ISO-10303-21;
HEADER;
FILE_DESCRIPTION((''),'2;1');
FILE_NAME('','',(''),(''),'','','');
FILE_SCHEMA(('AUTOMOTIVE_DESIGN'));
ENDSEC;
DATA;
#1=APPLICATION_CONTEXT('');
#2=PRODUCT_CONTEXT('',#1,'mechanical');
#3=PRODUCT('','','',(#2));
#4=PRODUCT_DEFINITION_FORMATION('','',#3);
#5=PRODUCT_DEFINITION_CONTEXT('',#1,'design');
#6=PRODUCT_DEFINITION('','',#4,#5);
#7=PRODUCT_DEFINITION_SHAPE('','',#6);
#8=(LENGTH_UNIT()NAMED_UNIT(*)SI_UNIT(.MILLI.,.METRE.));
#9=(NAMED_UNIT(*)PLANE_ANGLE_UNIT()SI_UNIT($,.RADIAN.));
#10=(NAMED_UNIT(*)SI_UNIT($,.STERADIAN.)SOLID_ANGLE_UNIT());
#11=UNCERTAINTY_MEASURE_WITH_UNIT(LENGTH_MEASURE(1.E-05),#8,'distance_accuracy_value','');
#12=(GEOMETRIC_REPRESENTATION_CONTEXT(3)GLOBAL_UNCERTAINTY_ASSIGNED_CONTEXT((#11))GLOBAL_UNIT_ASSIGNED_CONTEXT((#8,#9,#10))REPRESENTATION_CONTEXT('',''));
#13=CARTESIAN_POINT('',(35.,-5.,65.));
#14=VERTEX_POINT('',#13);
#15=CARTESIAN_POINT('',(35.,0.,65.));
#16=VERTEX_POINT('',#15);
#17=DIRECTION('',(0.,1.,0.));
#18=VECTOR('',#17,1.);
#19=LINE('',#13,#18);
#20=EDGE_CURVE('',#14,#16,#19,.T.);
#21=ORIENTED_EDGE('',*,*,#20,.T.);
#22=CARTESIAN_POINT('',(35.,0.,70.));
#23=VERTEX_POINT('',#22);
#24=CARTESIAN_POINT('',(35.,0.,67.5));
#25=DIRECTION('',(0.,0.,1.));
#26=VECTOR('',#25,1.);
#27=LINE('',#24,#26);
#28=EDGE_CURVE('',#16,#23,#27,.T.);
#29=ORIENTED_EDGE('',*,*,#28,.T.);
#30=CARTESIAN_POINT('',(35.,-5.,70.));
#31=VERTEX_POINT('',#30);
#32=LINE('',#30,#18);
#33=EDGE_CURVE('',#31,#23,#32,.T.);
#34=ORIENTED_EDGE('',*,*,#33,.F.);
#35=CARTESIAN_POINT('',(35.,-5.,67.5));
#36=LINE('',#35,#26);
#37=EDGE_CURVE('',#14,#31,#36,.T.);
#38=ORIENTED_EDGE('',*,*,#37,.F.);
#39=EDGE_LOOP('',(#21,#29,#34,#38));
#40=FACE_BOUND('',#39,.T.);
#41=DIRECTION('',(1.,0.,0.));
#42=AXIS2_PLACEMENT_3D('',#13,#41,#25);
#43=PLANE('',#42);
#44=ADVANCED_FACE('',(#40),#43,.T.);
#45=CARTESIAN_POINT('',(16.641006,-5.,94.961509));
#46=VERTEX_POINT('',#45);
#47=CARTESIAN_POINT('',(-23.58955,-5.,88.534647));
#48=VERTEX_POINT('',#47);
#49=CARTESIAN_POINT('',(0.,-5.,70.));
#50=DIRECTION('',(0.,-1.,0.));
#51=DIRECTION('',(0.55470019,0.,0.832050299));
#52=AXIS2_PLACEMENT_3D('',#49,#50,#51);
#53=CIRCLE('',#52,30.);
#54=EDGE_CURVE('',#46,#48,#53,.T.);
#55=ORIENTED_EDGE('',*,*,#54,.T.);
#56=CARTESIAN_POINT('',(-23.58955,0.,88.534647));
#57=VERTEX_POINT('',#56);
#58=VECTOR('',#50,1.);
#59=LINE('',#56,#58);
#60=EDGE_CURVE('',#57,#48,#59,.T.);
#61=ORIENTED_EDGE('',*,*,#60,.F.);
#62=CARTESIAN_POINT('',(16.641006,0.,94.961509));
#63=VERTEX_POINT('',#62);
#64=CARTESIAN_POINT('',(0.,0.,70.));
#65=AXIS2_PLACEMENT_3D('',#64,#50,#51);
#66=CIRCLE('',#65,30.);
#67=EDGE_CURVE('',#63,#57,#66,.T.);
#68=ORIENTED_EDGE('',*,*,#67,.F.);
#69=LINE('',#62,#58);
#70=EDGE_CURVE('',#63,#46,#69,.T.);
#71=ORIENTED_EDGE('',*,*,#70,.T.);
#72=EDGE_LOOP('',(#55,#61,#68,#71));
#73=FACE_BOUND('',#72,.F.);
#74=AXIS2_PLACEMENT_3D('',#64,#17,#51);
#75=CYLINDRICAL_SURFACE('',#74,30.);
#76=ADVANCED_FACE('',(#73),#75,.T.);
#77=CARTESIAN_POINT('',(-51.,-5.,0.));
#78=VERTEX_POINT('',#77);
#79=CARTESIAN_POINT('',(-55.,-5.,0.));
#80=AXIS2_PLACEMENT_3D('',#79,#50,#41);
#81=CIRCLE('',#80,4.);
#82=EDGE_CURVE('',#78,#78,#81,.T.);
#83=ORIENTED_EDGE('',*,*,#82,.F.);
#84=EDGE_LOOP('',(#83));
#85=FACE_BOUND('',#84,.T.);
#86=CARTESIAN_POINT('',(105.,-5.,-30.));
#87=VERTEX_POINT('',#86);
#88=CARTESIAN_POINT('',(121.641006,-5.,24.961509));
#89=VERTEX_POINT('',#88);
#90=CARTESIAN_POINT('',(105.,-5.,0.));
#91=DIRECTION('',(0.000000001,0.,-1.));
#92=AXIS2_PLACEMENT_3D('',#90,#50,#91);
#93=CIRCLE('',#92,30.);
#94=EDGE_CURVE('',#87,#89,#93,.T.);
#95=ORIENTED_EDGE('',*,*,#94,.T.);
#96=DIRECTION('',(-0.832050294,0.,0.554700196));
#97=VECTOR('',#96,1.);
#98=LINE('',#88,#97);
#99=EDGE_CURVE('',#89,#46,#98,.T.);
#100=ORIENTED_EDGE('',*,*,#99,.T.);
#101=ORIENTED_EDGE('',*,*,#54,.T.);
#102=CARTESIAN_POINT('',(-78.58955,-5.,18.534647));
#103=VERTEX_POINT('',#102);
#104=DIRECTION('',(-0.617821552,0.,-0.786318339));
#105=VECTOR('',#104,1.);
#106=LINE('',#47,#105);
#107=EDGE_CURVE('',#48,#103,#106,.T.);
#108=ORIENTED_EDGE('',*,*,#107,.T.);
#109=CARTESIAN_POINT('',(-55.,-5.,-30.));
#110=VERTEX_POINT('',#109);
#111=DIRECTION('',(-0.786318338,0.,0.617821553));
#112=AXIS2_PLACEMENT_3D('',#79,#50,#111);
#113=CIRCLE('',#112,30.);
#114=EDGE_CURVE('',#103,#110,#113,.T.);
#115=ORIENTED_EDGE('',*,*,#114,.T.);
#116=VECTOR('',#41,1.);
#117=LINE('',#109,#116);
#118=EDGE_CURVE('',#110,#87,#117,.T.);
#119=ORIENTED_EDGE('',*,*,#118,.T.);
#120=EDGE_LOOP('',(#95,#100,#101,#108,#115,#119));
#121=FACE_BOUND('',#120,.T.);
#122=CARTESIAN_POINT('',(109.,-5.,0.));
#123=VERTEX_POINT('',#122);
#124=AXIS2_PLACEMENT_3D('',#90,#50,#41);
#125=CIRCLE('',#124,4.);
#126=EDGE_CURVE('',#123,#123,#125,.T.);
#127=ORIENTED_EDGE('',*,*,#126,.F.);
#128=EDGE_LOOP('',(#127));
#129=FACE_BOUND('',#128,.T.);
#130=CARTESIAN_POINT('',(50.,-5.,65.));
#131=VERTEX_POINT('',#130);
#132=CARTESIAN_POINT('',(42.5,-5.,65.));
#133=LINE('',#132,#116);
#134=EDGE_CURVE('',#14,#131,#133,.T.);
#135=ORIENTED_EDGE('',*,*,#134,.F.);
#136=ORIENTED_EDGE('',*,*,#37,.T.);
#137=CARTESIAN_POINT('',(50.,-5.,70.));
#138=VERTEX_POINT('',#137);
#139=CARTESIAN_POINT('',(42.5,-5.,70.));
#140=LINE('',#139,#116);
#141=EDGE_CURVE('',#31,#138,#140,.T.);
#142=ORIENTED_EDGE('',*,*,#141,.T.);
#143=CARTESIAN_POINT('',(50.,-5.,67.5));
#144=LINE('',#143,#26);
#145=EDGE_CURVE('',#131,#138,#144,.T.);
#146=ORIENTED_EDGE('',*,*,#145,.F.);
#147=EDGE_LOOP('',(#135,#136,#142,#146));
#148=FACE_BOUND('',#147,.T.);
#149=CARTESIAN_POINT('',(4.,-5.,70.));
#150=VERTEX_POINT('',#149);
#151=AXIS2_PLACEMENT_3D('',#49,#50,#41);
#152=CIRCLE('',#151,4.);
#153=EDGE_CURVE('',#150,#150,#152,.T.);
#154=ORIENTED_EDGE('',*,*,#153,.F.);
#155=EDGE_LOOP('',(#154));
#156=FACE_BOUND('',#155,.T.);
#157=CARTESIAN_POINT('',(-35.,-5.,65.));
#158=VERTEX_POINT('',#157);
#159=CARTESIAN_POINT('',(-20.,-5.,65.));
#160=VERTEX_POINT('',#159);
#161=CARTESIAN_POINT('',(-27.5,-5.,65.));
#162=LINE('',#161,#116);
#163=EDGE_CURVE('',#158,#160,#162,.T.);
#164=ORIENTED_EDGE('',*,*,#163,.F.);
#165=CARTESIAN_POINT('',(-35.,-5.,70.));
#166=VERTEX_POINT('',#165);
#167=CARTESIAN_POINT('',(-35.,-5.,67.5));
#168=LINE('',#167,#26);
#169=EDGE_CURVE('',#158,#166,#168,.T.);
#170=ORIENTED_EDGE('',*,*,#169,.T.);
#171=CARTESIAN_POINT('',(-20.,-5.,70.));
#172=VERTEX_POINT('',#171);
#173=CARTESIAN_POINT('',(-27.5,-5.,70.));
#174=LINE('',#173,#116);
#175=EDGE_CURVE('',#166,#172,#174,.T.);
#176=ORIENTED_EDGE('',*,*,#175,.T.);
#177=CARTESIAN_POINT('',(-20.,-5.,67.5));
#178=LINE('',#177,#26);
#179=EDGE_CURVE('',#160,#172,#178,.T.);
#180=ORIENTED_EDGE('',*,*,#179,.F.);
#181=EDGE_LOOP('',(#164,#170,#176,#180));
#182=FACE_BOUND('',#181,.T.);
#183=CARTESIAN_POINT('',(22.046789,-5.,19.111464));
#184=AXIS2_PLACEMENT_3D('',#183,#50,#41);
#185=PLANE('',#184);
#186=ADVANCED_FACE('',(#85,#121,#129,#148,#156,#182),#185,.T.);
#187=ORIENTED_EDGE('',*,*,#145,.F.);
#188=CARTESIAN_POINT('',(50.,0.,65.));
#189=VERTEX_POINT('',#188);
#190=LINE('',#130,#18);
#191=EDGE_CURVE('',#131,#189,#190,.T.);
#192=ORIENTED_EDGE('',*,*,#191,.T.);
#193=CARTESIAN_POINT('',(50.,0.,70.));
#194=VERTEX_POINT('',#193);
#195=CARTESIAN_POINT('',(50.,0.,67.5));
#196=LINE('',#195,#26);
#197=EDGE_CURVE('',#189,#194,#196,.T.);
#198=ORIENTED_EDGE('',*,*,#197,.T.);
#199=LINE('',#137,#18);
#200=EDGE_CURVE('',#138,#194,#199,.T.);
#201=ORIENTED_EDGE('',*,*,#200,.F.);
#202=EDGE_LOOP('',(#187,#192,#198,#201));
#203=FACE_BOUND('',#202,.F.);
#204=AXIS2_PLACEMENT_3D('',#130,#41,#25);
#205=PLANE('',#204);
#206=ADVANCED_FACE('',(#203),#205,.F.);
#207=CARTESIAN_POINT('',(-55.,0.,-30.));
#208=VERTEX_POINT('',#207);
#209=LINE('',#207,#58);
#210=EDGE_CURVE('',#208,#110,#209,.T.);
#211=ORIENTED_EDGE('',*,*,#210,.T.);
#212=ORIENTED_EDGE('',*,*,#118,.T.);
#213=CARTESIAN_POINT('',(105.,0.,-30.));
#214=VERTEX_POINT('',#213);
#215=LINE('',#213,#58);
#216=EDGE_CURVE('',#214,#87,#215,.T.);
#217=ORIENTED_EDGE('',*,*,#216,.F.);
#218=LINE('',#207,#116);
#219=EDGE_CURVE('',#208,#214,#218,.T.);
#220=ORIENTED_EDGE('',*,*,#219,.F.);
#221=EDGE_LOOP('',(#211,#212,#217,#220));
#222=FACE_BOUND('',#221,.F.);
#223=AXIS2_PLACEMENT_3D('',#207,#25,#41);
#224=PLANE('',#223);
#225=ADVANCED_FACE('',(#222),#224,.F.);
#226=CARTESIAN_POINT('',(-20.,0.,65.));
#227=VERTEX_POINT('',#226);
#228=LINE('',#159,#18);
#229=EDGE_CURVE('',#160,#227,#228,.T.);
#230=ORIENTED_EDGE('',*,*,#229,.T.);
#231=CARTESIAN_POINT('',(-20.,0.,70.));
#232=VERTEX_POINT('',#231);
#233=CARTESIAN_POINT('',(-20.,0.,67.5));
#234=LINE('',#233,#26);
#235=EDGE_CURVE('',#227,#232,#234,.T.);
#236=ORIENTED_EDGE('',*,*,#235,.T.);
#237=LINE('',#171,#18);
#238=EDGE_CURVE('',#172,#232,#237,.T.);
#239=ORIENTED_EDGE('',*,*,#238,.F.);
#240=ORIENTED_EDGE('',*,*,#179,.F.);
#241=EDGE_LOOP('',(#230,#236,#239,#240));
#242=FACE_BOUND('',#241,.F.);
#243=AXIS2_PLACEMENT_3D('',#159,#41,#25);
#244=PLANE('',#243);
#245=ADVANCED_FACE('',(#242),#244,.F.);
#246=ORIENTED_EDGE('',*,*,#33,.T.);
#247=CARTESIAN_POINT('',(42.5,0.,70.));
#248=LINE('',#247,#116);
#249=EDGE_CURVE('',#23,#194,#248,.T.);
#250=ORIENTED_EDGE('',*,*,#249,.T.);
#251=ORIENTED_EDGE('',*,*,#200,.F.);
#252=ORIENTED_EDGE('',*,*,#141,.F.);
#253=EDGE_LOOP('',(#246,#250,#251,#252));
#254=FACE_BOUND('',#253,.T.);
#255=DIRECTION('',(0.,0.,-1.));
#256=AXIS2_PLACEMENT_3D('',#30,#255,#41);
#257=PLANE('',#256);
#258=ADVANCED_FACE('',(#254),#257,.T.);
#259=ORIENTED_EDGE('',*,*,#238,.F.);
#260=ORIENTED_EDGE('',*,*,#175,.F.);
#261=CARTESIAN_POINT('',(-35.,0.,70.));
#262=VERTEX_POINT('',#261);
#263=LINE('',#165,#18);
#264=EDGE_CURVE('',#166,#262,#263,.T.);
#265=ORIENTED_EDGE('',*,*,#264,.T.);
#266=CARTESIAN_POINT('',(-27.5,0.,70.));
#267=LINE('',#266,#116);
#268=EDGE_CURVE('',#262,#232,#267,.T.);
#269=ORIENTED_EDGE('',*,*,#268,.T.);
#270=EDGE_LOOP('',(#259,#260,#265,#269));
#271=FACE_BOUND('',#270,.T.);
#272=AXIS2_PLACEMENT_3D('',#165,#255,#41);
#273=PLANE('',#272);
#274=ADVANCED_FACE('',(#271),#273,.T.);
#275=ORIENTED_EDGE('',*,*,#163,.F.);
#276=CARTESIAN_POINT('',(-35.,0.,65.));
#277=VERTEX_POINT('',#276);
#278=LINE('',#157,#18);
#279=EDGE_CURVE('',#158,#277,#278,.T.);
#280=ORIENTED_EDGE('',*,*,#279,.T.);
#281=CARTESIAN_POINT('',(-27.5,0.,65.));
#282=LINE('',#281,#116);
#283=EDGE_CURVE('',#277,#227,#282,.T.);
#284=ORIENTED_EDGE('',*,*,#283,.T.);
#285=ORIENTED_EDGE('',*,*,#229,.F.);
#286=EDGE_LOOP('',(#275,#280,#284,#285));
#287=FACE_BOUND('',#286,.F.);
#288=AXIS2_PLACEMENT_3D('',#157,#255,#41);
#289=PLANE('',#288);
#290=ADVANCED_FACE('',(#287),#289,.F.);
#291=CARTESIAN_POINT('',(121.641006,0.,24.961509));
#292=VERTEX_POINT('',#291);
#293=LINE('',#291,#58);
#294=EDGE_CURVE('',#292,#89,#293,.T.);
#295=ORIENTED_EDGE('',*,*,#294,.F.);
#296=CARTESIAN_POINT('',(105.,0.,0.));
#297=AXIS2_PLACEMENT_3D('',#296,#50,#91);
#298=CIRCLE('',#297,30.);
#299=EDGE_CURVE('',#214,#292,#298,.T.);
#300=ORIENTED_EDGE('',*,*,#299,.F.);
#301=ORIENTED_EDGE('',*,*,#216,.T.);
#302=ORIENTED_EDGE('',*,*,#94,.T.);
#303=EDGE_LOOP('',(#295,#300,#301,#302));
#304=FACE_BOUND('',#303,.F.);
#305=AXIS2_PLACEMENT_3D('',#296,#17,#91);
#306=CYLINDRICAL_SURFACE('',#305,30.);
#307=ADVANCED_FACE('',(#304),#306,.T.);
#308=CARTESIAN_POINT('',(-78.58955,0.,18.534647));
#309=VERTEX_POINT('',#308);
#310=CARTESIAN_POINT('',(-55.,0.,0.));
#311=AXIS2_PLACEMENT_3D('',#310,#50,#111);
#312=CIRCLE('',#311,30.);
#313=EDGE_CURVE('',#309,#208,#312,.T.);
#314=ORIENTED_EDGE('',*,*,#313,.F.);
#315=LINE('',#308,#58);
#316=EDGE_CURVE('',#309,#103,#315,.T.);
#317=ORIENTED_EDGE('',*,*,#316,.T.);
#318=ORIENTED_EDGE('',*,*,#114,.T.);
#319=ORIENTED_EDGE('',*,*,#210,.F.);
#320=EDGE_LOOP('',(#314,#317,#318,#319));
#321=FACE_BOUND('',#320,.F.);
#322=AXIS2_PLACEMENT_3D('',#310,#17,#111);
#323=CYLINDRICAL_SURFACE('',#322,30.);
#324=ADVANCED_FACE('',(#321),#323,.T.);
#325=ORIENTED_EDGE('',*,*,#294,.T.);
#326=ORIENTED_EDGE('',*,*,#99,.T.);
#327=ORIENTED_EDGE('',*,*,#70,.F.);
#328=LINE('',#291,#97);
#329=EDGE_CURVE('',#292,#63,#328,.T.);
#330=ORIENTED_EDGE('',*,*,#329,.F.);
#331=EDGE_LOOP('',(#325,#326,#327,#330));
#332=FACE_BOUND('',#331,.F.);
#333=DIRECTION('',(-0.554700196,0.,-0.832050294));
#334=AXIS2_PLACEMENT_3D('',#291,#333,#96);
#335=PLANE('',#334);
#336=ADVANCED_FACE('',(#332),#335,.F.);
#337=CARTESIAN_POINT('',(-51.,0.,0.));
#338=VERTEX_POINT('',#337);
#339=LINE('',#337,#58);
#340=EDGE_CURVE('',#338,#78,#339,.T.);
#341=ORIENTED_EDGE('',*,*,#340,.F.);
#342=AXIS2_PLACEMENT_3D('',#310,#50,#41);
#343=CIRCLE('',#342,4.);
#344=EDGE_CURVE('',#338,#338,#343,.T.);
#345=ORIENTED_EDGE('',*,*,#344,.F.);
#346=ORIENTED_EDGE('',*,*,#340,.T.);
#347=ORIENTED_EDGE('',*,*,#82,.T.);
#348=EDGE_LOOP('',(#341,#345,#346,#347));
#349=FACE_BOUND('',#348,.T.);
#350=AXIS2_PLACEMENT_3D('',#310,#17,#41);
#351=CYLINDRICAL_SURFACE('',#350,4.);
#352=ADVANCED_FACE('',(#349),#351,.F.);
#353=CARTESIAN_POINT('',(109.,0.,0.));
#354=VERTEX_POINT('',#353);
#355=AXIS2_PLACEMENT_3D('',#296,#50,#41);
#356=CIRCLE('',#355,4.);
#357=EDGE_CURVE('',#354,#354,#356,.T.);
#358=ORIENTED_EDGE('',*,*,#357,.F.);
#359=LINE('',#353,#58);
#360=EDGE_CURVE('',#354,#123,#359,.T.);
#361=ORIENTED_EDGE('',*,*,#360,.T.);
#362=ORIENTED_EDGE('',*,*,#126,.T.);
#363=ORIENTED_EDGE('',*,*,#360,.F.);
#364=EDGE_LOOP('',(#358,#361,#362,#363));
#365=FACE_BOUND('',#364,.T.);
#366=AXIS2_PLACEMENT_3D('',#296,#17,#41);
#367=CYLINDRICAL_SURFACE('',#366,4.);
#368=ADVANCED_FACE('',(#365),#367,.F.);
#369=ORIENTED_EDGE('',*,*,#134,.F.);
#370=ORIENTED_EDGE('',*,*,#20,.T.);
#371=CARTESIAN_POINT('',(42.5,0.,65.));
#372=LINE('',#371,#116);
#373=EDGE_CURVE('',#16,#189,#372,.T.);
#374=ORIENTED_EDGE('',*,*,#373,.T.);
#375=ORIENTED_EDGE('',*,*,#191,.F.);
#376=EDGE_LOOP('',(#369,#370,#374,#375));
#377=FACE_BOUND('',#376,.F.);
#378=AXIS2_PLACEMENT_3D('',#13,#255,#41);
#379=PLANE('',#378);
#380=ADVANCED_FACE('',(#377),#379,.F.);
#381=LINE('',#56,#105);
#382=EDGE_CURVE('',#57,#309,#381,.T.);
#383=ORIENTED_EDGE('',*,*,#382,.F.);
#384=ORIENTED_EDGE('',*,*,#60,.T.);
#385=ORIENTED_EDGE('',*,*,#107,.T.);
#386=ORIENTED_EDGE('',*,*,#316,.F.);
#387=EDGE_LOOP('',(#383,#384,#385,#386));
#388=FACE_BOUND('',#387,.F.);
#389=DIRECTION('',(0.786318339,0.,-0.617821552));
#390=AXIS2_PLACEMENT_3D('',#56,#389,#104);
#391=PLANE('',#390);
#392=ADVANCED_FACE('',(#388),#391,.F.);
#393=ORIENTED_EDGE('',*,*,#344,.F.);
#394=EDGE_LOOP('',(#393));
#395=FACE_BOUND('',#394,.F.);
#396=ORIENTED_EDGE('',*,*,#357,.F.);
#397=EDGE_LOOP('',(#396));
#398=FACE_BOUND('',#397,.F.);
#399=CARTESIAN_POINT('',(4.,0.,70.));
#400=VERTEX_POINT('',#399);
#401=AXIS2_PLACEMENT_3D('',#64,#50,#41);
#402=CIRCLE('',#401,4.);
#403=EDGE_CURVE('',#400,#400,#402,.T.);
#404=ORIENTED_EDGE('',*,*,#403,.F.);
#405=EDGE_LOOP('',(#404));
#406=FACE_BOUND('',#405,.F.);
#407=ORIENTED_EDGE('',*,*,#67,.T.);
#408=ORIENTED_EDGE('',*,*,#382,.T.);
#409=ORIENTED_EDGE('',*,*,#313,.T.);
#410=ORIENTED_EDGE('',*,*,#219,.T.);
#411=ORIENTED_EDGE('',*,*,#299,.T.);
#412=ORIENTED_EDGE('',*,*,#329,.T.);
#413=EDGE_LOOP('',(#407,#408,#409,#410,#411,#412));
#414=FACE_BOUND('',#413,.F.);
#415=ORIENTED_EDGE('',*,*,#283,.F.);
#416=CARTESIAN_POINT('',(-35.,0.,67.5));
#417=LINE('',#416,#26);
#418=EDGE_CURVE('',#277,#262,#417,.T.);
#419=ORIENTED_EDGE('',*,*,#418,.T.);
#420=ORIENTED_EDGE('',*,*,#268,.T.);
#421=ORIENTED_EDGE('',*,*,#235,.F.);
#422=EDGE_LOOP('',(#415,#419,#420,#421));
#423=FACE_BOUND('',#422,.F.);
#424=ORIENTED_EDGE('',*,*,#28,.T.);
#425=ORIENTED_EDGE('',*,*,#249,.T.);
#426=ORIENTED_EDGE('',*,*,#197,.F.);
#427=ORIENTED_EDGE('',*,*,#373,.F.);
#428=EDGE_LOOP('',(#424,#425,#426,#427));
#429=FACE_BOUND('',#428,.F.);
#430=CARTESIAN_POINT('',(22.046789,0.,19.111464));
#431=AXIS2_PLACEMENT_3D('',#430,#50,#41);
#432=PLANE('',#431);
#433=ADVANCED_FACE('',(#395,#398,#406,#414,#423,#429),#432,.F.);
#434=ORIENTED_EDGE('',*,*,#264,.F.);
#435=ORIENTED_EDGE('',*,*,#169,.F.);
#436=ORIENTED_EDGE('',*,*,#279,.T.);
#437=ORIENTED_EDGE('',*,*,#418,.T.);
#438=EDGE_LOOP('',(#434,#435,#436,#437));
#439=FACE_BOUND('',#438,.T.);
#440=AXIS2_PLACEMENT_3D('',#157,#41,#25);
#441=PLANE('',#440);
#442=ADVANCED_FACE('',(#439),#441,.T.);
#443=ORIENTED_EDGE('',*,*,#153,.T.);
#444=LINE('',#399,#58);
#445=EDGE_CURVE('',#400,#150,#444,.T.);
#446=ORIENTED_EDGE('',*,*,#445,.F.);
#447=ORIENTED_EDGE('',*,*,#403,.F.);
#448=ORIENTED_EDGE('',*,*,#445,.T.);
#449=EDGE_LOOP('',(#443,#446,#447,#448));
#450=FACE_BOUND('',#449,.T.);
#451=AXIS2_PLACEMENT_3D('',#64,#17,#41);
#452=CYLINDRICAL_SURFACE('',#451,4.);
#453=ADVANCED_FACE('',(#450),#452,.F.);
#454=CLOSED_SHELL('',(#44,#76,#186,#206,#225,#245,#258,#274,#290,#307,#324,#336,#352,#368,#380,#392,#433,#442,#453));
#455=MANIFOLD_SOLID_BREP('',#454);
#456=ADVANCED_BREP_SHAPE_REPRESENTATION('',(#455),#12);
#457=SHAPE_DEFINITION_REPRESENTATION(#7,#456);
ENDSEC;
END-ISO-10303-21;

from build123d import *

# Parameters (mm, degrees)
F0_R     = 4
F1_DEPTH = 5
F2_W     = 15
F2_H     = 5
F3_DEPTH = 5


with BuildPart() as f1:
    # F0 (on Front) → F1 (new body)
    with BuildSketch(Plane.XZ):
        with BuildLine():
            Line((-23.58955, 88.534647), (-78.58955, 18.534647))
            ThreePointArc((-78.58955, 18.534647), (-81.98184, -13.114126), (-55, -30))
            Line((-55, -30), (105, -30))
            ThreePointArc((105, -30), (133.712761, -8.693524), (121.641006, 24.961509))
            Line((121.641006, 24.961509), (16.641006, 94.961509))
            ThreePointArc((16.641006, 94.961509), (-4.732516, 99.62437), (-23.58955, 88.534647))
        make_face()
        with Locations((-55, 0)):
            Circle(F0_R, mode=Mode.SUBTRACT)
        with Locations((105, 0)):
            Circle(F0_R, mode=Mode.SUBTRACT)
        with Locations((0, 70)):
            Circle(F0_R, mode=Mode.SUBTRACT)
    extrude(amount=F1_DEPTH)

    # F2 (on face) → F3 (cut)
    with BuildSketch(Plane.XZ.offset(5)):
        with Locations((-27.5, 67.5)):
            Rectangle(F2_W, F2_H)
        with Locations((42.5, 67.5)):
            Rectangle(F2_W, F2_H)
    extrude(amount=-F3_DEPTH, mode=Mode.SUBTRACT)


solid = f1.part
